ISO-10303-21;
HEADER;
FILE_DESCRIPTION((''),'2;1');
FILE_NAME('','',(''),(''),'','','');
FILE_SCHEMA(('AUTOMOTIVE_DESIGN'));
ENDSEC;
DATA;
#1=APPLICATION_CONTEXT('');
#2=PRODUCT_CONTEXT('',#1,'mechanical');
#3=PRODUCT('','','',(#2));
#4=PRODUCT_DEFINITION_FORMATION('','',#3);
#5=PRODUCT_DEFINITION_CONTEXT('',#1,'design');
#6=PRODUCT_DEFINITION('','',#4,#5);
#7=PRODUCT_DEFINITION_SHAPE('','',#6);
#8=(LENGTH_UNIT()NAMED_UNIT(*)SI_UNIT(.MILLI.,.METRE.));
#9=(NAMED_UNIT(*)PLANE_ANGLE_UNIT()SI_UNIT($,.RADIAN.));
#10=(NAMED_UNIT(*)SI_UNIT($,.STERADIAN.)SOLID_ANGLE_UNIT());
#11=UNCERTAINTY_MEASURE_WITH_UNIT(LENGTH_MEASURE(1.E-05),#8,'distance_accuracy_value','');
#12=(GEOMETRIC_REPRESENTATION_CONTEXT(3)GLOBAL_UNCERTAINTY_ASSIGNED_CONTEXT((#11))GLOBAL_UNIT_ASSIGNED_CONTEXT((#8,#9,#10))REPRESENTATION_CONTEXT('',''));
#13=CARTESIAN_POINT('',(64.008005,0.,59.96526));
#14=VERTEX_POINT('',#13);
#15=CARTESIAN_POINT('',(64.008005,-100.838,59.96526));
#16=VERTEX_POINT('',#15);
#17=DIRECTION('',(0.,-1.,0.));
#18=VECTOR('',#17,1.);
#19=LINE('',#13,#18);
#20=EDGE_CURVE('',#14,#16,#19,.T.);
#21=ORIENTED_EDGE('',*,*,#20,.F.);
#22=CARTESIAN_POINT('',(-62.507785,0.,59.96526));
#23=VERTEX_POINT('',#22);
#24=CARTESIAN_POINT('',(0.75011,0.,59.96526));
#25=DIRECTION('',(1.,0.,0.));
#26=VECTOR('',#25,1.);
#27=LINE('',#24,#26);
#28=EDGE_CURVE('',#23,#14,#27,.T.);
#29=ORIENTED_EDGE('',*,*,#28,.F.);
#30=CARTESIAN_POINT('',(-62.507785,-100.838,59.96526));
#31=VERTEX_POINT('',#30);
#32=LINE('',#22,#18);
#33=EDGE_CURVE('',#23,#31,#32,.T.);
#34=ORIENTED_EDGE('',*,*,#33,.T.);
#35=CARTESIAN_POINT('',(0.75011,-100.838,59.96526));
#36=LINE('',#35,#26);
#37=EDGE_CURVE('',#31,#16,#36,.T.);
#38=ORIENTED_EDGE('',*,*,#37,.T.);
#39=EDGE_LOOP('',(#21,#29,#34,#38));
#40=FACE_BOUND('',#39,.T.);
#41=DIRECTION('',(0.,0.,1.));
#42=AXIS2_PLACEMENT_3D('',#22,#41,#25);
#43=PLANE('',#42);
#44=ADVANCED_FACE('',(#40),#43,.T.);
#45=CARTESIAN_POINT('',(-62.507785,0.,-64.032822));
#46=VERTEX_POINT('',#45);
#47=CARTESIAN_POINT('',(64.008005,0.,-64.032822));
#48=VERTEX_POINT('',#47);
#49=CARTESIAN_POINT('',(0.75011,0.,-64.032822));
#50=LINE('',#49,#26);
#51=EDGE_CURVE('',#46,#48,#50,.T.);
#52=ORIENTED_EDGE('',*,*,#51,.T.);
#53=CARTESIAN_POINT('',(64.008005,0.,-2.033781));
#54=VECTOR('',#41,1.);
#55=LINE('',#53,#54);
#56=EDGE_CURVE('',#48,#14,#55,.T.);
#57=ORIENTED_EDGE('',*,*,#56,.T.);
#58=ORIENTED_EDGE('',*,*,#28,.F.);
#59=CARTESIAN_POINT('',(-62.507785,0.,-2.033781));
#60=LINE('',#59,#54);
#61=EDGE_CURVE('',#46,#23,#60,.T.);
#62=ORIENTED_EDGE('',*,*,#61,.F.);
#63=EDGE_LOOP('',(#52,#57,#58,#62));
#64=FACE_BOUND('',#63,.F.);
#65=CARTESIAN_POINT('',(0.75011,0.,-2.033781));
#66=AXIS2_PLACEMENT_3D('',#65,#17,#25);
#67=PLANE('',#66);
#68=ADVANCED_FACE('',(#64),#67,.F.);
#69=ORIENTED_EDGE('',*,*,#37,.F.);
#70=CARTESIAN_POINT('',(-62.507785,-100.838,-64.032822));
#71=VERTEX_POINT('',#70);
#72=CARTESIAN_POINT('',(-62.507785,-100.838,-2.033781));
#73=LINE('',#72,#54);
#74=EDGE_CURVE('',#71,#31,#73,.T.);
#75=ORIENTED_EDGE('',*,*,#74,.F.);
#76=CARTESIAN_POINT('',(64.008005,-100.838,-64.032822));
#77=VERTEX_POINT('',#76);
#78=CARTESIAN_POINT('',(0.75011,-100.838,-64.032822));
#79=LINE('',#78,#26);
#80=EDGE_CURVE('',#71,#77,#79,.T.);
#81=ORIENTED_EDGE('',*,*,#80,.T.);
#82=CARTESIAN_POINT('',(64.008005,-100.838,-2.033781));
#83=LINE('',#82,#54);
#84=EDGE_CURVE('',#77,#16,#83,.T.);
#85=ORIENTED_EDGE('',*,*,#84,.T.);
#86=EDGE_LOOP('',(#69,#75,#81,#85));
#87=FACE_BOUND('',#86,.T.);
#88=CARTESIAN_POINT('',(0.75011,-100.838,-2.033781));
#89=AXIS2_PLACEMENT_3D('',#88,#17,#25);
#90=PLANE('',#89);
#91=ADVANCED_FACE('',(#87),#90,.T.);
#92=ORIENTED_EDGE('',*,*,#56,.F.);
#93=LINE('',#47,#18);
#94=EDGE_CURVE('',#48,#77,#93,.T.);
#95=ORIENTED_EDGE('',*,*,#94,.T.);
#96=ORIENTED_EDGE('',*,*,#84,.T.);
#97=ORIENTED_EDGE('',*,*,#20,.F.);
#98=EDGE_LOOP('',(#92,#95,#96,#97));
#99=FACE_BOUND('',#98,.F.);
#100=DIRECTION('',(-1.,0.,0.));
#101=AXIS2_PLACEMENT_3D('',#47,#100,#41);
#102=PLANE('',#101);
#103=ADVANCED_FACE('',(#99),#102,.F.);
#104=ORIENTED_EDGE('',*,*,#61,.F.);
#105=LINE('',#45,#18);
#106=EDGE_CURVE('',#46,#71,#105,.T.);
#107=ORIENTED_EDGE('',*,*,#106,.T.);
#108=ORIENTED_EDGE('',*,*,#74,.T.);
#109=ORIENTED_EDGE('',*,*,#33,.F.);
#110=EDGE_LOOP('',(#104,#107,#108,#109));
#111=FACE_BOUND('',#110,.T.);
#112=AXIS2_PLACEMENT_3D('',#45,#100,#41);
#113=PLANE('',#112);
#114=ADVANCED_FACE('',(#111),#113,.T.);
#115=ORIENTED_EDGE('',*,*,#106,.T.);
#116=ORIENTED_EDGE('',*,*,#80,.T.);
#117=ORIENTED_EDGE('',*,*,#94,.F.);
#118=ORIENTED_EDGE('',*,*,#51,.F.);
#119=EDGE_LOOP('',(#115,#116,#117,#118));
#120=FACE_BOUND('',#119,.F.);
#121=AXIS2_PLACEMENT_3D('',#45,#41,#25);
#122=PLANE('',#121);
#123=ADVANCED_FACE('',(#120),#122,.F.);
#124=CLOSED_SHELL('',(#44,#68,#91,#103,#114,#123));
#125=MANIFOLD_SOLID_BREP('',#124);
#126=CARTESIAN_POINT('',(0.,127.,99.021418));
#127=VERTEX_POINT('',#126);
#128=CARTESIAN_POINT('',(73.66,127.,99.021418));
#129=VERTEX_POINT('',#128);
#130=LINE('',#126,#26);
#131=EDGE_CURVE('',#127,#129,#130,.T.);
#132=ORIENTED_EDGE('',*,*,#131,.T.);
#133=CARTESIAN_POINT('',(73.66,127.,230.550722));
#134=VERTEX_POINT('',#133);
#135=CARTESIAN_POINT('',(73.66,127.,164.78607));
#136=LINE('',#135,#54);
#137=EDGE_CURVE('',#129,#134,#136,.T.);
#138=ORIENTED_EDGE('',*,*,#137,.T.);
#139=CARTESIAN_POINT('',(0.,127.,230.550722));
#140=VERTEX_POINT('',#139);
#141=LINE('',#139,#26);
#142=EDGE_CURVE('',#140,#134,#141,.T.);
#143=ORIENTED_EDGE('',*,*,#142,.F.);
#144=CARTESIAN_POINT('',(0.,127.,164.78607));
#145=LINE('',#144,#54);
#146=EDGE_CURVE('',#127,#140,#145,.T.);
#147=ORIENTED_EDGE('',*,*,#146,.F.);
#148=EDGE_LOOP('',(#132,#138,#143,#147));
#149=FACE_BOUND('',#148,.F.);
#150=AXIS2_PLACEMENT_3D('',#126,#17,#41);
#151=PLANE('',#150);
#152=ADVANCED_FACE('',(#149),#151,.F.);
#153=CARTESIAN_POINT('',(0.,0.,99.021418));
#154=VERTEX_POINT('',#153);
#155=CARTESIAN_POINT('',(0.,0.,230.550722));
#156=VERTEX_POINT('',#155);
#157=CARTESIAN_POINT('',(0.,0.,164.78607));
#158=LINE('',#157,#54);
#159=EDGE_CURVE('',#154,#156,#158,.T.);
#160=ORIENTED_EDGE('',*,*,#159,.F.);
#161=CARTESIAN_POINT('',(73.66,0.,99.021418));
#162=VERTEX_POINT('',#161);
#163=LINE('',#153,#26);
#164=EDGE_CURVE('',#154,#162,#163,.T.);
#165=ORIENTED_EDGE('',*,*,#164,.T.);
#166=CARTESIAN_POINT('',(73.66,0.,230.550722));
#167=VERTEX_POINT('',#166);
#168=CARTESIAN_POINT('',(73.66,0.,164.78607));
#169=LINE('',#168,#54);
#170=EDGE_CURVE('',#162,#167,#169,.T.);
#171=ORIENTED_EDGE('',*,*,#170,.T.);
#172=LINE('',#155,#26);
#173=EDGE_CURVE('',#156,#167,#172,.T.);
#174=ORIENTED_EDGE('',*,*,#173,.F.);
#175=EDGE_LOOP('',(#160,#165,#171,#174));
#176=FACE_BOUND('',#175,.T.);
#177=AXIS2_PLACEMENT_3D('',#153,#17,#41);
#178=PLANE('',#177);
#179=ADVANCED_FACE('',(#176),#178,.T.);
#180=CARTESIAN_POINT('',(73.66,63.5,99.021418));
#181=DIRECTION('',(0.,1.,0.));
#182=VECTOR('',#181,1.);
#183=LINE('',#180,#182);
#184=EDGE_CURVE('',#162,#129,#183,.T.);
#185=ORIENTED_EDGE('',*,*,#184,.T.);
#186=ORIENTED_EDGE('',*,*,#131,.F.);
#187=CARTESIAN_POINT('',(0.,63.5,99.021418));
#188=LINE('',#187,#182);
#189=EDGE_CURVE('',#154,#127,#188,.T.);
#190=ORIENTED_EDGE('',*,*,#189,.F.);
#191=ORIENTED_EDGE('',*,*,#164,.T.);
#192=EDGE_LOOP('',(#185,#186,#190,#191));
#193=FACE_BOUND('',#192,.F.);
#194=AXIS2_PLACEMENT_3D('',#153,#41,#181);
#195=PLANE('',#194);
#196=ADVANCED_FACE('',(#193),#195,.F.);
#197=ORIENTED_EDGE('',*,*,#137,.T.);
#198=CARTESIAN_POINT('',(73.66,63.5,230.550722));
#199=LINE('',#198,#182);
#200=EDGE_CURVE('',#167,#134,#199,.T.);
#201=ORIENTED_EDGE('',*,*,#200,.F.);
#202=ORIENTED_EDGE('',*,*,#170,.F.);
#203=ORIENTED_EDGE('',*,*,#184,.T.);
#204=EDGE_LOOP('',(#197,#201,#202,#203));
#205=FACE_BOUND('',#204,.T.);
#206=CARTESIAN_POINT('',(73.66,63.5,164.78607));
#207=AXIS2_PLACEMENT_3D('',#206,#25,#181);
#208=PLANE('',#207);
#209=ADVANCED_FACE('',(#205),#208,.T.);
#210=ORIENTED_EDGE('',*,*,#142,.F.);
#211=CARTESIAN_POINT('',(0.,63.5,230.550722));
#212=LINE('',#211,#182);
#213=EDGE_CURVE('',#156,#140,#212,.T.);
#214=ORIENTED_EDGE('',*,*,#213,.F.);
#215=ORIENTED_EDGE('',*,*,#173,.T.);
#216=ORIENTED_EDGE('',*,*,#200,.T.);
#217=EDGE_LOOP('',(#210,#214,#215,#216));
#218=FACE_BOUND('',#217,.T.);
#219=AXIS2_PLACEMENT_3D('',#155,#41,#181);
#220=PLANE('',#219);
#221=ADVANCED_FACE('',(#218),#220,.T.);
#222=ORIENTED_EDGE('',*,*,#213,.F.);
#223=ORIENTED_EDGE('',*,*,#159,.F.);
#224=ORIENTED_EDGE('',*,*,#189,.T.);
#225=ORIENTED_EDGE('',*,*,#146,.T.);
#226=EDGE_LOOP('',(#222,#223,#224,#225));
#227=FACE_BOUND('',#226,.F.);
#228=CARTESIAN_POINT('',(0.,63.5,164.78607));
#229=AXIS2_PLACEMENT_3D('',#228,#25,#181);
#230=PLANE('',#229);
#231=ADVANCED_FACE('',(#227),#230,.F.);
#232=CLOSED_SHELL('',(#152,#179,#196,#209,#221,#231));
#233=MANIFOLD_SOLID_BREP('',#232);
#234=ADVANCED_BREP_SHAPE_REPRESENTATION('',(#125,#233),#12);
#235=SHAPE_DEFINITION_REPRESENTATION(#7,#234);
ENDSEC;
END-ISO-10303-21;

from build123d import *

# Parameters (mm, degrees)
F1_W     = 127
F1_H     = 131.529303
F2_DEPTH = 73.66
F0_W     = 126.515791
F0_H     = 123.998083
F3_DEPTH = 100.838


with BuildPart() as f2:
    # F1 (on Right) → F2 (new body)
    with BuildSketch(Plane.YZ):
        with Locations((63.5, 164.78607)):
            Rectangle(F1_W, F1_H)
    extrude(amount=F2_DEPTH)


with BuildPart() as f3:
    # F0 (on Front) → F3 (new body)
    with BuildSketch(Plane.XZ):
        with Locations((0.75011, -2.033781)):
            Rectangle(F0_W, F0_H)
    extrude(amount=F3_DEPTH)


solid = Compound([f2.part, f3.part])
